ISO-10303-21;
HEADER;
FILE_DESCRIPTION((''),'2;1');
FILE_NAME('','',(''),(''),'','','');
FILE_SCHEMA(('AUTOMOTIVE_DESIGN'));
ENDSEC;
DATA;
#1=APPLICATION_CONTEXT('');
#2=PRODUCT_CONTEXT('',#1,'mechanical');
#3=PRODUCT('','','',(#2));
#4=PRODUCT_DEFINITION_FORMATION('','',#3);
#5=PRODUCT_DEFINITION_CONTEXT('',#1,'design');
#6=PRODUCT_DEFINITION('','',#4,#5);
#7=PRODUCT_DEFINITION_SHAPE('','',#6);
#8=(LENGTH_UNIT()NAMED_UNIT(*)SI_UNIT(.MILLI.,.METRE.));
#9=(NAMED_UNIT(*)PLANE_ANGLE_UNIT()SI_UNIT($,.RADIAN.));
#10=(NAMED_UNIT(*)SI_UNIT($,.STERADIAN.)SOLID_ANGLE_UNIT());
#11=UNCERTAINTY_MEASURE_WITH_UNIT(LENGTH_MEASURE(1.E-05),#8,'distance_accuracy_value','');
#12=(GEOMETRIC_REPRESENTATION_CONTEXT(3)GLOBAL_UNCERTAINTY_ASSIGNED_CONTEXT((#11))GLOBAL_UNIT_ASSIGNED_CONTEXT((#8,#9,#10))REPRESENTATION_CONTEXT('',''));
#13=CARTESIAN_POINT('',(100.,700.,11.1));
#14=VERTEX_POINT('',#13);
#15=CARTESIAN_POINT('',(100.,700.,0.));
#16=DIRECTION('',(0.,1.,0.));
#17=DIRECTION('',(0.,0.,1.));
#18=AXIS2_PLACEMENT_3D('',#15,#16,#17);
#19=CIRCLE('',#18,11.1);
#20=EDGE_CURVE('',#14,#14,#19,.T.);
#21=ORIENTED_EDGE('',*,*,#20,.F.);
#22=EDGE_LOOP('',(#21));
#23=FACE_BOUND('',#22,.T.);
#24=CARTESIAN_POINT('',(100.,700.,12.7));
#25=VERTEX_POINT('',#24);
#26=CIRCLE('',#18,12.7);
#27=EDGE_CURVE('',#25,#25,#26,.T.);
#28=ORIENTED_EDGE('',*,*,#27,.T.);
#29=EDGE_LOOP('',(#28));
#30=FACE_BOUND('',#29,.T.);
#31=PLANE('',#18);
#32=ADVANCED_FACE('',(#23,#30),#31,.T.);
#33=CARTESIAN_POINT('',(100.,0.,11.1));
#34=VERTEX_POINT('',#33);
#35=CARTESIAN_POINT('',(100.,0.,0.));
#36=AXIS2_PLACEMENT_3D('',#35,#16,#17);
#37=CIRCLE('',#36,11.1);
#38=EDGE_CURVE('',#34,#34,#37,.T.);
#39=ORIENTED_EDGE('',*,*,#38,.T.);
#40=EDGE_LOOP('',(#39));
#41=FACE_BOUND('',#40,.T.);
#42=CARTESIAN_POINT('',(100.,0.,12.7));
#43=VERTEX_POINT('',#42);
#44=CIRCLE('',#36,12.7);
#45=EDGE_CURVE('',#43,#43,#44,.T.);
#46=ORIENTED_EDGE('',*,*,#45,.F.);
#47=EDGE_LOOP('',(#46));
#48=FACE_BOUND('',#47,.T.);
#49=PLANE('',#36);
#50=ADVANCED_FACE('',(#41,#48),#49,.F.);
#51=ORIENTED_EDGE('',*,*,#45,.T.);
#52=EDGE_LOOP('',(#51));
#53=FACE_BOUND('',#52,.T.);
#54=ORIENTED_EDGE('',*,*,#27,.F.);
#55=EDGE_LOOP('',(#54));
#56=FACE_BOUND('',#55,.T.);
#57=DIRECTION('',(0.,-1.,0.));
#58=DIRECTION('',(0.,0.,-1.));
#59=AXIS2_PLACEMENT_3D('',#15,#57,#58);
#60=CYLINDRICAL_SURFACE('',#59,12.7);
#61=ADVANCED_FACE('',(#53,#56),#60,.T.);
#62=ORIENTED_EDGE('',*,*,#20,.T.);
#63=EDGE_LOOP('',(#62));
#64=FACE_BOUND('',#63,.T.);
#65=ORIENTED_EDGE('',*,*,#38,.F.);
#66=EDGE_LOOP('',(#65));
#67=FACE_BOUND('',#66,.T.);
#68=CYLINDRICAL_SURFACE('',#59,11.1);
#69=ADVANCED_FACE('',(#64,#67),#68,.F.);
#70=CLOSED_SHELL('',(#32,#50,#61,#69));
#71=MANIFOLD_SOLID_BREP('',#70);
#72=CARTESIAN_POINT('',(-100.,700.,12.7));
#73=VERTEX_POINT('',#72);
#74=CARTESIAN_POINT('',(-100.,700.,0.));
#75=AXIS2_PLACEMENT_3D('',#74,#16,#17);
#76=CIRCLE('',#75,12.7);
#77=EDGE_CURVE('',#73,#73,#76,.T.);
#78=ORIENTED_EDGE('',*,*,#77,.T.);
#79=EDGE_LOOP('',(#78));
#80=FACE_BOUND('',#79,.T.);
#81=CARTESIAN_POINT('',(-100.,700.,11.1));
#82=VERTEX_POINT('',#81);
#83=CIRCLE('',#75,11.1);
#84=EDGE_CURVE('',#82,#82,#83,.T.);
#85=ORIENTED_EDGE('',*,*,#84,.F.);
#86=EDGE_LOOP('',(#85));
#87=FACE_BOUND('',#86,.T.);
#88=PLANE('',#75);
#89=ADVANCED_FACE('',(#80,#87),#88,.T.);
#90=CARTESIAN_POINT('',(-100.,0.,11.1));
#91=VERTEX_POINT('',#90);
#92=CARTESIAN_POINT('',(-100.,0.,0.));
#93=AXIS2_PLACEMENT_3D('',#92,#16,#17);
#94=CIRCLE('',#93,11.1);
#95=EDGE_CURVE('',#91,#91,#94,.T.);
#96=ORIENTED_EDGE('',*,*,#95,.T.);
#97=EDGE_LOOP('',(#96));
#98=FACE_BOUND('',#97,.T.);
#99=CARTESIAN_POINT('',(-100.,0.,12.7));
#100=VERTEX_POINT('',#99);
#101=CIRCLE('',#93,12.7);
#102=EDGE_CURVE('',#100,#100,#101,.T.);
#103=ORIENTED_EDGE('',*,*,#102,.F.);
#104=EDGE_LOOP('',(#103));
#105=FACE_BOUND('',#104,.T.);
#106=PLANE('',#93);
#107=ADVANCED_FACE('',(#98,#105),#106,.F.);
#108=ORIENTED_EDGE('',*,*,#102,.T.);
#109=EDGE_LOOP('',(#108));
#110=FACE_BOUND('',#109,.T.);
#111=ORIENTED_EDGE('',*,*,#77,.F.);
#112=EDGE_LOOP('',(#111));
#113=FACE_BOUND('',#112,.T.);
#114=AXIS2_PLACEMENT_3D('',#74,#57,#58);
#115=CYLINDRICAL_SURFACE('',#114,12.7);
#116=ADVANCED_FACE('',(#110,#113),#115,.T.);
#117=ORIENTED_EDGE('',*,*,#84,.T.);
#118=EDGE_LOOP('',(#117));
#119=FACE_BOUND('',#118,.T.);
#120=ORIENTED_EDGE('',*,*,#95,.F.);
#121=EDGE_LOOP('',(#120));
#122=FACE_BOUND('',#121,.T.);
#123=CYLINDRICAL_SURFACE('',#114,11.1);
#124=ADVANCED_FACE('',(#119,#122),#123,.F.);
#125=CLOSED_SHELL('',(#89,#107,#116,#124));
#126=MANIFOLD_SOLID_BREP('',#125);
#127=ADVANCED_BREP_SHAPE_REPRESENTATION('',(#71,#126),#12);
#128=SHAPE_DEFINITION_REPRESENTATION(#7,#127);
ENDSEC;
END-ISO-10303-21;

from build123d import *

# Parameters (mm, degrees)
SKETCH1_R             = 12.7
SKETCH1_R_2           = 11.1
BOSS_EXTRUDE1_DEPTH   = 700
BOSS_EXTRUDE1_2_DEPTH = 700


with BuildPart() as part:
    # Sketch1 → Boss-Extrude1 (new body)
    with BuildSketch(Plane(origin=(0, 0, 0), x_dir=(1, 0, 0), z_dir=(0, 1, 0))):
        with Locations((-100, 0)):
            Circle(SKETCH1_R)
        with Locations((-100, 0)):
            Circle(SKETCH1_R_2, mode=Mode.SUBTRACT)
    extrude(amount=BOSS_EXTRUDE1_DEPTH)


with BuildPart() as body_2:
    # Sketch1 → Boss-Extrude1 2 (new body)
    with BuildSketch(Plane(origin=(0, 0, 0), x_dir=(1, 0, 0), z_dir=(0, 1, 0))):
        with Locations((100, 0)):
            Circle(SKETCH1_R)
        with Locations((100, 0)):
            Circle(SKETCH1_R_2, mode=Mode.SUBTRACT)
    extrude(amount=BOSS_EXTRUDE1_2_DEPTH)


solid = Compound([part.part, body_2.part])
